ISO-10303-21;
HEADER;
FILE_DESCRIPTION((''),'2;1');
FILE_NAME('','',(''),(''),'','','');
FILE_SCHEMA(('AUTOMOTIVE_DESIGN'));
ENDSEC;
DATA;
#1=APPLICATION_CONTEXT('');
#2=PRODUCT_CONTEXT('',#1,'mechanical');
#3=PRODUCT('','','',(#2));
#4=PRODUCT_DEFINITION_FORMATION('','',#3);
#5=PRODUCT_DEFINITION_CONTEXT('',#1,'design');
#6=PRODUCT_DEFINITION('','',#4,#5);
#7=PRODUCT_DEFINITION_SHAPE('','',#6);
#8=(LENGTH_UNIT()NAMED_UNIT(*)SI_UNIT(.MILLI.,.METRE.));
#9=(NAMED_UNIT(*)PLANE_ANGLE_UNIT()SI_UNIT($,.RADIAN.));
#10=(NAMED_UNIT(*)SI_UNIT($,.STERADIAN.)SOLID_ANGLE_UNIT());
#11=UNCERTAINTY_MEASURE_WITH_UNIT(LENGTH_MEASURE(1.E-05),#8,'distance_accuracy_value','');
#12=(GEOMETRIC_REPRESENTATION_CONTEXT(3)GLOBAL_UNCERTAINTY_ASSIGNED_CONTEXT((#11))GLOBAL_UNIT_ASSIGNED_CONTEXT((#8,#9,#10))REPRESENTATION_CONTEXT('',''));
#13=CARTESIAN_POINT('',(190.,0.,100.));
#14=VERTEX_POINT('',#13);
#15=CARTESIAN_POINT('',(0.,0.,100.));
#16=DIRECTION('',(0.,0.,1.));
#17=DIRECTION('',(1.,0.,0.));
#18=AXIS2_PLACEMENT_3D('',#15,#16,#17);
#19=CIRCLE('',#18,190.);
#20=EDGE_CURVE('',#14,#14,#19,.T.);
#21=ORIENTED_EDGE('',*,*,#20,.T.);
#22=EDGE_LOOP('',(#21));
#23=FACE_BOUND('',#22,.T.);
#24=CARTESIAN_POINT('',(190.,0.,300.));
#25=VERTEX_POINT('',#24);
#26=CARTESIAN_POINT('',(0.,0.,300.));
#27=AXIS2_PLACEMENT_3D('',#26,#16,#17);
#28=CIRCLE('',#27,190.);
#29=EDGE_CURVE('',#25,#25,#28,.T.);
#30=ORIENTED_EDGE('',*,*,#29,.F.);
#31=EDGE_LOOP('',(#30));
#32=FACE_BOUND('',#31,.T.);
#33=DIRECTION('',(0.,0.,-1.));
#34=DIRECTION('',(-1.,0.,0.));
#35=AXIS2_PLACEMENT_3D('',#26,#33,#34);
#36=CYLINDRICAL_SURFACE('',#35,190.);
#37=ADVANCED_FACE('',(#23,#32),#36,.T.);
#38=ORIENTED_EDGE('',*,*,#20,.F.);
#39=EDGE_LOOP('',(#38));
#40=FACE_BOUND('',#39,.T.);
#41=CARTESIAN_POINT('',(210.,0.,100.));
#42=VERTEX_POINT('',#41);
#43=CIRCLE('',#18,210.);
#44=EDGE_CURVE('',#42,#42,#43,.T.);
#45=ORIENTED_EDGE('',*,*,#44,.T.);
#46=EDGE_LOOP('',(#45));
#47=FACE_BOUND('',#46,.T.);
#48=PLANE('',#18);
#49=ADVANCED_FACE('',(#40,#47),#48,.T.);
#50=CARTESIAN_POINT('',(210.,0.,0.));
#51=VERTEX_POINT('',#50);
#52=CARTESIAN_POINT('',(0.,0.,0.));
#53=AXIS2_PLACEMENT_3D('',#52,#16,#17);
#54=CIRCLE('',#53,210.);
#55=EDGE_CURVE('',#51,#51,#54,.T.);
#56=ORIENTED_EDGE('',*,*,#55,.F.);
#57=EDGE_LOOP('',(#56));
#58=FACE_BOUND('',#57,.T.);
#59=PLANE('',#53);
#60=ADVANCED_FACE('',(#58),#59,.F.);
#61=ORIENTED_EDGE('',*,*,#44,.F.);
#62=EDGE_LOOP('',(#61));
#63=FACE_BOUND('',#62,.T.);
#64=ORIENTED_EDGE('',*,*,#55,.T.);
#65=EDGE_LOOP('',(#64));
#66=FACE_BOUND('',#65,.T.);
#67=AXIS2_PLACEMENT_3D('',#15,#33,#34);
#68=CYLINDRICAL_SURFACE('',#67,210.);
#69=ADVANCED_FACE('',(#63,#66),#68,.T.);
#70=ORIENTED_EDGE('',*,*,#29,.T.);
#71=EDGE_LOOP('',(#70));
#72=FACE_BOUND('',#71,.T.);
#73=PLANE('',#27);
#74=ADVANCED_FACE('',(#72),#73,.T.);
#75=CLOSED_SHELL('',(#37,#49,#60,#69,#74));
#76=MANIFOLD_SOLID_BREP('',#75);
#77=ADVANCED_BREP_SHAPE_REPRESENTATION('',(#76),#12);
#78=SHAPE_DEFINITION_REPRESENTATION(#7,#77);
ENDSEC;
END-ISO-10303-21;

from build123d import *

# Parameters (mm, degrees)
SKETCH2_R           = 210
BOSS_EXTRUDE1_DEPTH = 100
SKETCH3_R           = 190
BOSS_EXTRUDE2_DEPTH = 200


with BuildPart() as part:
    # Sketch2 → Boss-Extrude1 (new body)
    with BuildSketch(Plane.XY):
        Circle(SKETCH2_R)
    extrude(amount=BOSS_EXTRUDE1_DEPTH)

    # Sketch3 → Boss-Extrude2 (add)
    with BuildSketch(Plane.XY.offset(100)):
        Circle(SKETCH3_R)
    extrude(amount=BOSS_EXTRUDE2_DEPTH)


solid = part.part
